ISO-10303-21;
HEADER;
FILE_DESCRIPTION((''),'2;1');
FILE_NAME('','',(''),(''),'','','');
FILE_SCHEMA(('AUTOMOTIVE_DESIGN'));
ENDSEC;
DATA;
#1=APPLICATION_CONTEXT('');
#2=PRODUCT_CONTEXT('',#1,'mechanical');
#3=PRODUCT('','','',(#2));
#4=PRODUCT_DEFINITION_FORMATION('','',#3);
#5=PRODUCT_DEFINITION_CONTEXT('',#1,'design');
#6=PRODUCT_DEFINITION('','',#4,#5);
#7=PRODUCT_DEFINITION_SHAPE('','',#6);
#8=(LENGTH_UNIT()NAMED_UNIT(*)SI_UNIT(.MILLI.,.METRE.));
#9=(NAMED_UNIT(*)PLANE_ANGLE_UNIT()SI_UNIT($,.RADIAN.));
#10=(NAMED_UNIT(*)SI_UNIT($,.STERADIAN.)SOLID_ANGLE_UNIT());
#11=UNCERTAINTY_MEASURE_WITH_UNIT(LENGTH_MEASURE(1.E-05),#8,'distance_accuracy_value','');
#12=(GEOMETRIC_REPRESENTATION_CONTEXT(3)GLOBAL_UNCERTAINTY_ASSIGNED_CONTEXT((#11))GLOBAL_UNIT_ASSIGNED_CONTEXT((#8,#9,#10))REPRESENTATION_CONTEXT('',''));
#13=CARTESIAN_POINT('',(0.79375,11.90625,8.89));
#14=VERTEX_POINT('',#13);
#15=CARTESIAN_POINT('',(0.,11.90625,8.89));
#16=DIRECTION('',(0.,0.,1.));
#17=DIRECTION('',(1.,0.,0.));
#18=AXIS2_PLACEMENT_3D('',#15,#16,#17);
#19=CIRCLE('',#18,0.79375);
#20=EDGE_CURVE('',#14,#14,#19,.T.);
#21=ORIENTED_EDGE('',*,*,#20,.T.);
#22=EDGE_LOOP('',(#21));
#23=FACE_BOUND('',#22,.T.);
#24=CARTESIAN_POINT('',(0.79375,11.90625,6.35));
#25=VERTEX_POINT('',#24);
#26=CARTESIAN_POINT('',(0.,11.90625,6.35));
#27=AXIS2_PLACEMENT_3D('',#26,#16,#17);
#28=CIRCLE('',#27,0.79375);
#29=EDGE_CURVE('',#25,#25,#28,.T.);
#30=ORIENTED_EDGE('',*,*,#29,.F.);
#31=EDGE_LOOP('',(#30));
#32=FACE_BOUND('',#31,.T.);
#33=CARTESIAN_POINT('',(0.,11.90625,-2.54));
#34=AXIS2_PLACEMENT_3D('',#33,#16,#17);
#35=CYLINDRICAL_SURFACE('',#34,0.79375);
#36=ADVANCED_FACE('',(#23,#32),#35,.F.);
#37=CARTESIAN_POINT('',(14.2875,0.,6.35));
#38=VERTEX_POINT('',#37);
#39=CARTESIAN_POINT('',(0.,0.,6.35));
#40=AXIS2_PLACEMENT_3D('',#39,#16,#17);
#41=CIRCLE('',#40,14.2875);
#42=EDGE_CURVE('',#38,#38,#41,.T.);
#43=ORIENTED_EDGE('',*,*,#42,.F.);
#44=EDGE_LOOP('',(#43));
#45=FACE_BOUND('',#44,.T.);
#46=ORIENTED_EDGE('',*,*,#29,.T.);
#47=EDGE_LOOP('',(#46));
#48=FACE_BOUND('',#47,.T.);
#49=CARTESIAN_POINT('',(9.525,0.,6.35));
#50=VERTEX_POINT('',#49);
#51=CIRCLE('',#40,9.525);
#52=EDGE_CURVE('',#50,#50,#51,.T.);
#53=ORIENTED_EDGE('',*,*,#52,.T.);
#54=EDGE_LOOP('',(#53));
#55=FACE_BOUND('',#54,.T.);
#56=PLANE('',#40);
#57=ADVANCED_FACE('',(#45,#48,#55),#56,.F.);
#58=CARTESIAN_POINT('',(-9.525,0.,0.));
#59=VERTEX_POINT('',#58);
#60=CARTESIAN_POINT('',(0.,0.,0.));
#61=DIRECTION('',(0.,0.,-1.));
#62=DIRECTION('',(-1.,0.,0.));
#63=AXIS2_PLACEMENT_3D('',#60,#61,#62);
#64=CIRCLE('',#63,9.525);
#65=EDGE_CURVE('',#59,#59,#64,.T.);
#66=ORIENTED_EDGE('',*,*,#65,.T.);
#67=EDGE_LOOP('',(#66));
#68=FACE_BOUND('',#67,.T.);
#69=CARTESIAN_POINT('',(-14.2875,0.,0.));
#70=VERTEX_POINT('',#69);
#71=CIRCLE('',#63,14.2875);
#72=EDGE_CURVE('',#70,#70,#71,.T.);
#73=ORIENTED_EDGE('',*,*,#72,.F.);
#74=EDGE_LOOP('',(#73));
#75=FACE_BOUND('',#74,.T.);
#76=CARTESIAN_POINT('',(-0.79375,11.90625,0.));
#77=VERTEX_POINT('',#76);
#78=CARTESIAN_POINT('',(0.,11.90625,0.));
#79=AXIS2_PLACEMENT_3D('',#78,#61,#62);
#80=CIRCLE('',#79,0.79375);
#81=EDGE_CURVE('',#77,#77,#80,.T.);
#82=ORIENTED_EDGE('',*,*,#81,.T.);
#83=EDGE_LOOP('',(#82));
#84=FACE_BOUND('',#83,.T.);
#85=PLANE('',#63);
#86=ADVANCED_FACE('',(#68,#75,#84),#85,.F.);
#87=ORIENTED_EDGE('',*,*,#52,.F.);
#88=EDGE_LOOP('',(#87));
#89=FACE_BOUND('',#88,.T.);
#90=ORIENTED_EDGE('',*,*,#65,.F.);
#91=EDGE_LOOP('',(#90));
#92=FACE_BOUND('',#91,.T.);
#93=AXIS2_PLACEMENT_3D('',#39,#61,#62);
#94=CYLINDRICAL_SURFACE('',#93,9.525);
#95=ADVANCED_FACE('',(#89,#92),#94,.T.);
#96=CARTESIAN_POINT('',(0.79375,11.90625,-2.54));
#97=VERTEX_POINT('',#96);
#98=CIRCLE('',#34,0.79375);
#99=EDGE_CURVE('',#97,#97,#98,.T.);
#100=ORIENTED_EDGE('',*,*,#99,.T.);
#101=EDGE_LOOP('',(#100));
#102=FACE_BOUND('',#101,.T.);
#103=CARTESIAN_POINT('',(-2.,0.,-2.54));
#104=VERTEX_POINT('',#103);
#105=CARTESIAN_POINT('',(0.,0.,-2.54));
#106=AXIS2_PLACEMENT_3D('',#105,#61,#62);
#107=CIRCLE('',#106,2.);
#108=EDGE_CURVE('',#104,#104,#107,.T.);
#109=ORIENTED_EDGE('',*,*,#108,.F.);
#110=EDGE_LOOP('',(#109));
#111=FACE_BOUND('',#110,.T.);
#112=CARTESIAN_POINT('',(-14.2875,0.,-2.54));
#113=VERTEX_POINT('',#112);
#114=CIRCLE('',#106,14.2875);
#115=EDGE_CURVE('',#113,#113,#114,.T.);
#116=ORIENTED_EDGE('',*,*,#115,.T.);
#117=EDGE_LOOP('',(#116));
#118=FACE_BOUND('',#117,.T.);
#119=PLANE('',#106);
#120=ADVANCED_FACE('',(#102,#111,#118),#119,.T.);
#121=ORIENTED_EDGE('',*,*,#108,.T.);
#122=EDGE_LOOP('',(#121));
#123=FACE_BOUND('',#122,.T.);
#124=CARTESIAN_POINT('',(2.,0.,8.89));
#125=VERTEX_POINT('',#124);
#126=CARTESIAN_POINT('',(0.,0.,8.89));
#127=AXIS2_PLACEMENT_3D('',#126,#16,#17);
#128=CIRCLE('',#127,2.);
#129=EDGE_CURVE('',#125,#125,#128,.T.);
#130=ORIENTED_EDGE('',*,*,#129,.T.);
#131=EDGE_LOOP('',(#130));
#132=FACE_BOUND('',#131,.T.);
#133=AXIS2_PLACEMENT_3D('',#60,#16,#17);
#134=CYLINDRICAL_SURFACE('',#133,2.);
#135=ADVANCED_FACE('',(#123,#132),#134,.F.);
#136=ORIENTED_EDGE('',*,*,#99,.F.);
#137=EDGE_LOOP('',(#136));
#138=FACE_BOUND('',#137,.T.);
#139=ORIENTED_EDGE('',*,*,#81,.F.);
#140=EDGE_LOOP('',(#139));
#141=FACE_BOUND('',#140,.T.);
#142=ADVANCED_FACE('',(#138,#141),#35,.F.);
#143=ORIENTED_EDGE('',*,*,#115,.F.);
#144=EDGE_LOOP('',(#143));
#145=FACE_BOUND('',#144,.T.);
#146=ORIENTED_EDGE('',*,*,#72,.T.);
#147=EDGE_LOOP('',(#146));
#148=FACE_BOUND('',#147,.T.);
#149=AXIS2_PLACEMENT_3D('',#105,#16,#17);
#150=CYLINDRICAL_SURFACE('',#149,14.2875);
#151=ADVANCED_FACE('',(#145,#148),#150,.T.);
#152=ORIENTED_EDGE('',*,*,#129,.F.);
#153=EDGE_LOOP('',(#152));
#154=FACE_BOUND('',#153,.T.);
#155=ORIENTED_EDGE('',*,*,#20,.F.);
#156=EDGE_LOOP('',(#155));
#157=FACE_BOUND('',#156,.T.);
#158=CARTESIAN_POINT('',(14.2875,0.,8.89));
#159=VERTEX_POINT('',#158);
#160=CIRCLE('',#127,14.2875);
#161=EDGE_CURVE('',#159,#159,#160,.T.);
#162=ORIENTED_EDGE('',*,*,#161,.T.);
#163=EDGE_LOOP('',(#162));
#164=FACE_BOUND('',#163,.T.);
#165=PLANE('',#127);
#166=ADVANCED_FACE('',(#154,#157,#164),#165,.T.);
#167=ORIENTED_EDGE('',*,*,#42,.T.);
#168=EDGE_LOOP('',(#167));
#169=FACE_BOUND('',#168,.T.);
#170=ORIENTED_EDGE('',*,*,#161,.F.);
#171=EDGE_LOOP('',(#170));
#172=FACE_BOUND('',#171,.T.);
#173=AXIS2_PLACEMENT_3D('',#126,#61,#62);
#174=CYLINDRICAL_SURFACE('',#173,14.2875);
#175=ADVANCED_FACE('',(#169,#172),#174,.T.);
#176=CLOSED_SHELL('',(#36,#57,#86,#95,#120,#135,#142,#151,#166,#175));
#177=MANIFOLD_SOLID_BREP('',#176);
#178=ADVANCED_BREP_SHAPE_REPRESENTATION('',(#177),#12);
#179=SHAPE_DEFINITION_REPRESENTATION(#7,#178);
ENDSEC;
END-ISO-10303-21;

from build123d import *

# Parameters (mm, degrees)
SKETCH1_R           = 9.525
BOSS_EXTRUDE1_DEPTH = 6.35
SKETCH2_R           = 2
CUT_EXTRUDE1_DEPTH  = 15.892070037
SKETCH5_R           = 14.2875
SKETCH5_R_2         = 2
BOSS_EXTRUDE3_DEPTH = 2.54
SKETCH6_R           = 14.2875
SKETCH6_R_2         = 2
BOSS_EXTRUDE4_DEPTH = 2.54
SKETCH7_R           = 0.79375
CUT_EXTRUDE2_DEPTH  = 24.214439741


with BuildPart() as part:
    # Sketch1 → Boss-Extrude1 (new body)
    with BuildSketch(Plane.XY):
        Circle(SKETCH1_R)
    extrude(amount=BOSS_EXTRUDE1_DEPTH)

    # Sketch2 → Cut-Extrude1 (cut, through all)
    with BuildSketch(Plane.XY.offset(6.35)):
        Circle(SKETCH2_R)
    extrude(amount=-CUT_EXTRUDE1_DEPTH, mode=Mode.SUBTRACT)

    # Sketch5 → Boss-Extrude3 (add)
    with BuildSketch(Plane.XY.offset(6.35)):
        Circle(SKETCH5_R)
        Circle(SKETCH5_R_2, mode=Mode.SUBTRACT)
    extrude(amount=BOSS_EXTRUDE3_DEPTH)

    # Sketch6 → Boss-Extrude4 (add)
    with BuildSketch(Plane(origin=(0, 0, 0), x_dir=(-1, 0, 0), z_dir=(0, 0, -1))):
        with Locations(Location((0, 0, 0), (0, 0, 180))):
            Circle(SKETCH6_R)
        with Locations(Location((0, 0, 0), (0, 0, 180))):
            Circle(SKETCH6_R_2, mode=Mode.SUBTRACT)
    extrude(amount=BOSS_EXTRUDE4_DEPTH)

    # Sketch7 → Cut-Extrude2 (cut, through all)
    with BuildSketch(Plane.XY.offset(8.89)):
        with Locations((0, 11.90625)):
            Circle(SKETCH7_R)
    extrude(amount=-CUT_EXTRUDE2_DEPTH, mode=Mode.SUBTRACT)


solid = part.part
